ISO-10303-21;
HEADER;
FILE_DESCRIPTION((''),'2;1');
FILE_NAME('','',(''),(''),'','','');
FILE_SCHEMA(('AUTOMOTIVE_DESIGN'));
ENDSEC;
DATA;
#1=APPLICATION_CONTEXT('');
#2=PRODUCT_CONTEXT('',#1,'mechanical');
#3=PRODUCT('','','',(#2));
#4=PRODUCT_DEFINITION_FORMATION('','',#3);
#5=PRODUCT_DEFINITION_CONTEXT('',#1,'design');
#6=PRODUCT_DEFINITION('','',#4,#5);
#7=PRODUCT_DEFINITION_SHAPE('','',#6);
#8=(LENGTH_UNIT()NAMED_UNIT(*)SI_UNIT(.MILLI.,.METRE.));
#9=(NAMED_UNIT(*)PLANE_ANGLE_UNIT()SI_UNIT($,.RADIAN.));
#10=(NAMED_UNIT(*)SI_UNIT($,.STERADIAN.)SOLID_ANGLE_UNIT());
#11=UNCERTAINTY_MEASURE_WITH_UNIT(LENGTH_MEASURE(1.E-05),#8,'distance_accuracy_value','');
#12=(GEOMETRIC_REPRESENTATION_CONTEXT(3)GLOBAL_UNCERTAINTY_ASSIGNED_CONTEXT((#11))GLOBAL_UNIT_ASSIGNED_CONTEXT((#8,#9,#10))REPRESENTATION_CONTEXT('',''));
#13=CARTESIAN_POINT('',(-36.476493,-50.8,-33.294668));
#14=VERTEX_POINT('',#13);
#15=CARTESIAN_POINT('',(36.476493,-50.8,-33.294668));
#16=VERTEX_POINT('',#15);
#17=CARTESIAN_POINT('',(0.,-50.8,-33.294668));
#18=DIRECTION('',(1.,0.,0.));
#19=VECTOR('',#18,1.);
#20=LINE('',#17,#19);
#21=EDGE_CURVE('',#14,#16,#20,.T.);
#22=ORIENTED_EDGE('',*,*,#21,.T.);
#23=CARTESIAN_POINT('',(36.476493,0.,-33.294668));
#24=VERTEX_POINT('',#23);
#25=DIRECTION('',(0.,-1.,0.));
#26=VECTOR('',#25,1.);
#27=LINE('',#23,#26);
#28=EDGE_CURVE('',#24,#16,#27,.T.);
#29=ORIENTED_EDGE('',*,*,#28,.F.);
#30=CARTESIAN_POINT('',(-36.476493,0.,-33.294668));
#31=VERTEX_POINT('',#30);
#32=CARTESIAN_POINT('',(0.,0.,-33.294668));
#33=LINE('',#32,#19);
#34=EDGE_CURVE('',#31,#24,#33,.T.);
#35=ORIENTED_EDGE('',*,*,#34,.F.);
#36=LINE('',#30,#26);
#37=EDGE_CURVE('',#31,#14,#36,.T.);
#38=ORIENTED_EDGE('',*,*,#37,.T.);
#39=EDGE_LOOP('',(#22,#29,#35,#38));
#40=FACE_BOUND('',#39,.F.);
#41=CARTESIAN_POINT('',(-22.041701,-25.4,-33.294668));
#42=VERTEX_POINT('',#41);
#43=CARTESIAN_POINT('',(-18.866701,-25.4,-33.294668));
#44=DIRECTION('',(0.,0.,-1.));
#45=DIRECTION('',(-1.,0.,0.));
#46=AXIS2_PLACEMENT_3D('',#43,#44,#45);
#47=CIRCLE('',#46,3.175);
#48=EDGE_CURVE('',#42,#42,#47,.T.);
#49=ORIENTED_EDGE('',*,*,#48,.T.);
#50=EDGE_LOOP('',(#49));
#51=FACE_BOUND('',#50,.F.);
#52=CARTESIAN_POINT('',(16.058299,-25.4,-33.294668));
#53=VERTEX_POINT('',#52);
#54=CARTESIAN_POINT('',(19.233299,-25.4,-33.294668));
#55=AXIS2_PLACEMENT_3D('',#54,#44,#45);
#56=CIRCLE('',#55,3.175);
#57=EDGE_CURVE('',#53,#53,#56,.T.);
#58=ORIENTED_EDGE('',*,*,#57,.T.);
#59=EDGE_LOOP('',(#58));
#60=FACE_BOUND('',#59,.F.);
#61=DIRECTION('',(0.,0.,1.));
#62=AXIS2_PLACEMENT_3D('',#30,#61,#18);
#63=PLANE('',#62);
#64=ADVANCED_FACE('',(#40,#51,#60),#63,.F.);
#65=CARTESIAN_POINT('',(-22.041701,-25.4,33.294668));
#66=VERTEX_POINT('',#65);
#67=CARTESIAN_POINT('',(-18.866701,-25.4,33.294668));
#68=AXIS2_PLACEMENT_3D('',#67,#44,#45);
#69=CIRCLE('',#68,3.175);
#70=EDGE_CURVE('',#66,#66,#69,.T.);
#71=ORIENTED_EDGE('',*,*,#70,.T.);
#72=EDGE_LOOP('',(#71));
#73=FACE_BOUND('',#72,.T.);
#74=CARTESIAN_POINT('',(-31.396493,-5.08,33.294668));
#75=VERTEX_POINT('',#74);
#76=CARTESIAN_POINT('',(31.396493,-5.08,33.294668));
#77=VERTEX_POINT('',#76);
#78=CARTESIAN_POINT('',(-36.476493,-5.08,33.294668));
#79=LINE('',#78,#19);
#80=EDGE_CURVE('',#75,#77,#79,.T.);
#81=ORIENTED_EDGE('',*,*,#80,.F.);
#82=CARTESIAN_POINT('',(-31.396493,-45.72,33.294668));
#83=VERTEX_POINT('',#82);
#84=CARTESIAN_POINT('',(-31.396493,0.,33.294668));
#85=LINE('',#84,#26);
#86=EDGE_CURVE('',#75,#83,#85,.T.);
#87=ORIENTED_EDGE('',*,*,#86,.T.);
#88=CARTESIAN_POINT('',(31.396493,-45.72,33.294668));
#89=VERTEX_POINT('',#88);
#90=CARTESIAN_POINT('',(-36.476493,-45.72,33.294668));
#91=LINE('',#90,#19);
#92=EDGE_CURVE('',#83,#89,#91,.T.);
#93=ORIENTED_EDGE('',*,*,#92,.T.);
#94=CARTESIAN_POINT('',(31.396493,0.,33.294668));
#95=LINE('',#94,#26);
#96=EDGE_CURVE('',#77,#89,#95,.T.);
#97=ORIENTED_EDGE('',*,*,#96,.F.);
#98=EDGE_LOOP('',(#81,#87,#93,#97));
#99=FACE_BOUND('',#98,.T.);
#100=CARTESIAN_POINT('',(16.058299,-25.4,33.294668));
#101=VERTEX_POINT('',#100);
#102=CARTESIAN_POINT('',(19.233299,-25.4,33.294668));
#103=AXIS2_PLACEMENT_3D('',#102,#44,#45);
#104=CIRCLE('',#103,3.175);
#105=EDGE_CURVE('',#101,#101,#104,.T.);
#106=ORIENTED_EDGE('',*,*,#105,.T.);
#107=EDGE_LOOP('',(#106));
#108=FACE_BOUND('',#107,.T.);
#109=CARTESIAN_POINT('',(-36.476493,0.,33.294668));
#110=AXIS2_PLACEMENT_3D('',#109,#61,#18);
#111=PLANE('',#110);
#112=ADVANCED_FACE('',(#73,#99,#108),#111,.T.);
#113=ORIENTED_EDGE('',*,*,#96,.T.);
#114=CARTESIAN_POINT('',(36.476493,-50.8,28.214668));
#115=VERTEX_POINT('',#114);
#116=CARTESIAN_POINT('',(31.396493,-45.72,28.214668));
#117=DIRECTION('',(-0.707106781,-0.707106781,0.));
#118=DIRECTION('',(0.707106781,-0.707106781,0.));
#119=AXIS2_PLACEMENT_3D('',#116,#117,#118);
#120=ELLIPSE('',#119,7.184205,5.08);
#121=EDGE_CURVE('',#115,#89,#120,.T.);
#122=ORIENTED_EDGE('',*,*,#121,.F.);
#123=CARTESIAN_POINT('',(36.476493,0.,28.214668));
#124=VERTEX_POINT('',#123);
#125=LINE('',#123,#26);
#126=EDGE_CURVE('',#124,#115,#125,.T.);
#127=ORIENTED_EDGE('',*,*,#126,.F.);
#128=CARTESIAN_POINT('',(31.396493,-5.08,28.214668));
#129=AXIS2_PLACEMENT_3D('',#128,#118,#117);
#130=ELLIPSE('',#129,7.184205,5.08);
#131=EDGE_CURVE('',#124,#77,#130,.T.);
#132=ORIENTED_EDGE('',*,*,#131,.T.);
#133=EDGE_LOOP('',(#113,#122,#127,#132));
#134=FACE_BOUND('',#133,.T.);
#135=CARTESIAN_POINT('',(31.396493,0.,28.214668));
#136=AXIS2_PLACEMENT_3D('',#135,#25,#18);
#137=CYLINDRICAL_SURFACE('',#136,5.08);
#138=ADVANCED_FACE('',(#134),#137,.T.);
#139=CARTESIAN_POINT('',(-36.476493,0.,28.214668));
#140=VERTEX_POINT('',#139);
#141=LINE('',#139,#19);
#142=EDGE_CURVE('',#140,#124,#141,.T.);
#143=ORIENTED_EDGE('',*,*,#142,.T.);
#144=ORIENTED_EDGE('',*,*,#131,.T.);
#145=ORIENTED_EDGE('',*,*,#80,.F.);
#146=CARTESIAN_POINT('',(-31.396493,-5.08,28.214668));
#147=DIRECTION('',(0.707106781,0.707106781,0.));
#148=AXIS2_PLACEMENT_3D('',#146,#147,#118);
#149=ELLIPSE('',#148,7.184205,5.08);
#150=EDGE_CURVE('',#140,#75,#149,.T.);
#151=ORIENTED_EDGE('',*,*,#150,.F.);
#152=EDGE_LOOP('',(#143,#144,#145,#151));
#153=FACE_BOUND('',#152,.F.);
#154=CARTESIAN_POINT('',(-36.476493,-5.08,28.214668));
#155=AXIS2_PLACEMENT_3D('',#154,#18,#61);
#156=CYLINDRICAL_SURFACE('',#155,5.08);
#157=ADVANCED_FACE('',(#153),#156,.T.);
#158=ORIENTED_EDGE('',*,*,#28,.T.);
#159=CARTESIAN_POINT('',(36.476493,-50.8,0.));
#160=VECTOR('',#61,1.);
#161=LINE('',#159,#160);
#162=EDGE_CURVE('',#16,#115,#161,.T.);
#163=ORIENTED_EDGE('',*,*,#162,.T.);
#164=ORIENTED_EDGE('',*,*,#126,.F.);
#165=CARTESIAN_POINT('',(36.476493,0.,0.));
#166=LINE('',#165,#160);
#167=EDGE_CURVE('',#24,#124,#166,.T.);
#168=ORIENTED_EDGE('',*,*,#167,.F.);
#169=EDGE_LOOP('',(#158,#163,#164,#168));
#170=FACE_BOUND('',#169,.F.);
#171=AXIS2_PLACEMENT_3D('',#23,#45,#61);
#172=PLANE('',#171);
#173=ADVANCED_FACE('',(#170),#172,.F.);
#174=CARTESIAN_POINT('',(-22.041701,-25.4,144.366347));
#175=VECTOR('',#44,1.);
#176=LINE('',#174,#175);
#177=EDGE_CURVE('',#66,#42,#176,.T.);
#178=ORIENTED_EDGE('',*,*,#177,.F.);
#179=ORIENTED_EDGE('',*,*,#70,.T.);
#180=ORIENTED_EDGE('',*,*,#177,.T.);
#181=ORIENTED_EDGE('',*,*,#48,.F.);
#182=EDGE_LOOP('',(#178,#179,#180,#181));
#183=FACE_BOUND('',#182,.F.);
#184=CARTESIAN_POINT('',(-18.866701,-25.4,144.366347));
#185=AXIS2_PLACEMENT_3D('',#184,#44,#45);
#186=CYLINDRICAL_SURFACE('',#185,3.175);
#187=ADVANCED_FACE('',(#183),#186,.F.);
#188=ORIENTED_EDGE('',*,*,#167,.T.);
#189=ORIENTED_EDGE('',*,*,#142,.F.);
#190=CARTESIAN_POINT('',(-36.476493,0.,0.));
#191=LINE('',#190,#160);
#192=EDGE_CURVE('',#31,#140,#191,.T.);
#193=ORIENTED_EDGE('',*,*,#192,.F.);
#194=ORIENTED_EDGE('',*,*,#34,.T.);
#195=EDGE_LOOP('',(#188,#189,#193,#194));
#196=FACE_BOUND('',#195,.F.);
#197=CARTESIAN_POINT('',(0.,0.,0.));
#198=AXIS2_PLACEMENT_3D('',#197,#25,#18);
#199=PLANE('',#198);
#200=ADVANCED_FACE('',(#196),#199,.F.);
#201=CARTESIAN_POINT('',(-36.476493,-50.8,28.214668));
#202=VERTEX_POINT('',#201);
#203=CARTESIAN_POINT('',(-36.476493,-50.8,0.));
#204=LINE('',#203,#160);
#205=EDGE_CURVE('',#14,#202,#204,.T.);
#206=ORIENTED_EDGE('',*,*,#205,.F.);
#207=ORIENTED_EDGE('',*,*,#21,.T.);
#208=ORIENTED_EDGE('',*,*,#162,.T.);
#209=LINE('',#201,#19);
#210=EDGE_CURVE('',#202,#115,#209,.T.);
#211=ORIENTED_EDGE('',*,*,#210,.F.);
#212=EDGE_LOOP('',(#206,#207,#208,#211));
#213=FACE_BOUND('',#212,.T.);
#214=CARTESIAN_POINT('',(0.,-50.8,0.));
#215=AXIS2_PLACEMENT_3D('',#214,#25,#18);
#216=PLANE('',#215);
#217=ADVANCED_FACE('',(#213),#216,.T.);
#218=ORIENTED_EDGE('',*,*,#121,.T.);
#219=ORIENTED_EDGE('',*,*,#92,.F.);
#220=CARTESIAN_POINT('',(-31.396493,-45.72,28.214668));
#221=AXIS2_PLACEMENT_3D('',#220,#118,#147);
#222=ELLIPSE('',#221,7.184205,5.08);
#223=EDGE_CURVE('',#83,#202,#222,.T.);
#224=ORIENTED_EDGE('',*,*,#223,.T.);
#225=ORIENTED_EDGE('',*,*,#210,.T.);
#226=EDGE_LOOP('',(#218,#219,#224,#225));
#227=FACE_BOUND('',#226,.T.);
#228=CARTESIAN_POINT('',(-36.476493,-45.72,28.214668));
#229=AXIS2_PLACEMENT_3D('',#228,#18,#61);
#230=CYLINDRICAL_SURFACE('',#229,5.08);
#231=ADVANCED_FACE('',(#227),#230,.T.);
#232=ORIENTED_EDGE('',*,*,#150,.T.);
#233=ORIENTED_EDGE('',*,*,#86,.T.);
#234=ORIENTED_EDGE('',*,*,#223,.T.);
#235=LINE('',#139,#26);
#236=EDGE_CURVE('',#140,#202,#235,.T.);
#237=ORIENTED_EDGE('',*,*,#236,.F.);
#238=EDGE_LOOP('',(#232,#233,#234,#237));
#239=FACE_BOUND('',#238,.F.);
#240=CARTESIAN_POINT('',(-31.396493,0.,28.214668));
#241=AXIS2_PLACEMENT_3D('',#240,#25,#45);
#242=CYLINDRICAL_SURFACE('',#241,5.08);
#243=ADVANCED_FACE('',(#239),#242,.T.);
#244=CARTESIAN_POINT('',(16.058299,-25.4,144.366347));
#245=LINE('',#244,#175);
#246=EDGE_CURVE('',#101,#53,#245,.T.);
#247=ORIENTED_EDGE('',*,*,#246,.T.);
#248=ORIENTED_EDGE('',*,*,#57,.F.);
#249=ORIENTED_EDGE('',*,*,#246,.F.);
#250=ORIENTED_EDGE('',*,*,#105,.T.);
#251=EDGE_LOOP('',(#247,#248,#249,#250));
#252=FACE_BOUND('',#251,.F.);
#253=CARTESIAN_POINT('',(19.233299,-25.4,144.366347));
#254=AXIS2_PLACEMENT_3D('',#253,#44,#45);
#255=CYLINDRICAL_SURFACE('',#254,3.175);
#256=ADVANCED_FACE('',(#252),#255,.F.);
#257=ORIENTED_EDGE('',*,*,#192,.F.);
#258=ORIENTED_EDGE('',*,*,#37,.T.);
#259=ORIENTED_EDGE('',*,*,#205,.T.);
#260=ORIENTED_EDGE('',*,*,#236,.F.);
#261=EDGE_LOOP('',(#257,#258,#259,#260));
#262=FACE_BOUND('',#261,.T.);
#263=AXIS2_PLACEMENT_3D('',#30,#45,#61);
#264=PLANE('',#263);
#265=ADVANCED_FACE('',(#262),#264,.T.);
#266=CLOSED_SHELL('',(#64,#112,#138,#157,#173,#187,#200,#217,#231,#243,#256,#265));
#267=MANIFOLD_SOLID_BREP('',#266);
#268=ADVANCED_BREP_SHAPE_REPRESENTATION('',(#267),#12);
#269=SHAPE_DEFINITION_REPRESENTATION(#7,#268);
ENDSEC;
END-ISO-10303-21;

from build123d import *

# Parameters (mm, degrees)
F0_W     = 72.952986
F0_H     = 66.589336
F1_DEPTH = 50.8
F2_R     = 5.08
F4_D     = 6.35


with BuildPart() as f1:
    # F0 (on Front) → F1 (new body)
    with BuildSketch(Plane.XZ):
        Rectangle(F0_W, F0_H)
    extrude(amount=F1_DEPTH)

    # F2
    f2_edges = [f1.edges().sort_by_distance(p)[0] for p in [
        (36.476493, -25.4, 33.294668),
        (0, -50.8, 33.294668),
        (-36.476493, -25.4, 33.294668),
        (0, 0, 33.294668),
    ]]
    fillet(f2_edges, radius=F2_R)

    # F4 (through all)
    with Locations(Plane.XY.offset(33.294668)):
        with Locations((-18.866701, -25.4), (19.233299, -25.4)):
            Hole(F4_D / 2)


solid = f1.part
